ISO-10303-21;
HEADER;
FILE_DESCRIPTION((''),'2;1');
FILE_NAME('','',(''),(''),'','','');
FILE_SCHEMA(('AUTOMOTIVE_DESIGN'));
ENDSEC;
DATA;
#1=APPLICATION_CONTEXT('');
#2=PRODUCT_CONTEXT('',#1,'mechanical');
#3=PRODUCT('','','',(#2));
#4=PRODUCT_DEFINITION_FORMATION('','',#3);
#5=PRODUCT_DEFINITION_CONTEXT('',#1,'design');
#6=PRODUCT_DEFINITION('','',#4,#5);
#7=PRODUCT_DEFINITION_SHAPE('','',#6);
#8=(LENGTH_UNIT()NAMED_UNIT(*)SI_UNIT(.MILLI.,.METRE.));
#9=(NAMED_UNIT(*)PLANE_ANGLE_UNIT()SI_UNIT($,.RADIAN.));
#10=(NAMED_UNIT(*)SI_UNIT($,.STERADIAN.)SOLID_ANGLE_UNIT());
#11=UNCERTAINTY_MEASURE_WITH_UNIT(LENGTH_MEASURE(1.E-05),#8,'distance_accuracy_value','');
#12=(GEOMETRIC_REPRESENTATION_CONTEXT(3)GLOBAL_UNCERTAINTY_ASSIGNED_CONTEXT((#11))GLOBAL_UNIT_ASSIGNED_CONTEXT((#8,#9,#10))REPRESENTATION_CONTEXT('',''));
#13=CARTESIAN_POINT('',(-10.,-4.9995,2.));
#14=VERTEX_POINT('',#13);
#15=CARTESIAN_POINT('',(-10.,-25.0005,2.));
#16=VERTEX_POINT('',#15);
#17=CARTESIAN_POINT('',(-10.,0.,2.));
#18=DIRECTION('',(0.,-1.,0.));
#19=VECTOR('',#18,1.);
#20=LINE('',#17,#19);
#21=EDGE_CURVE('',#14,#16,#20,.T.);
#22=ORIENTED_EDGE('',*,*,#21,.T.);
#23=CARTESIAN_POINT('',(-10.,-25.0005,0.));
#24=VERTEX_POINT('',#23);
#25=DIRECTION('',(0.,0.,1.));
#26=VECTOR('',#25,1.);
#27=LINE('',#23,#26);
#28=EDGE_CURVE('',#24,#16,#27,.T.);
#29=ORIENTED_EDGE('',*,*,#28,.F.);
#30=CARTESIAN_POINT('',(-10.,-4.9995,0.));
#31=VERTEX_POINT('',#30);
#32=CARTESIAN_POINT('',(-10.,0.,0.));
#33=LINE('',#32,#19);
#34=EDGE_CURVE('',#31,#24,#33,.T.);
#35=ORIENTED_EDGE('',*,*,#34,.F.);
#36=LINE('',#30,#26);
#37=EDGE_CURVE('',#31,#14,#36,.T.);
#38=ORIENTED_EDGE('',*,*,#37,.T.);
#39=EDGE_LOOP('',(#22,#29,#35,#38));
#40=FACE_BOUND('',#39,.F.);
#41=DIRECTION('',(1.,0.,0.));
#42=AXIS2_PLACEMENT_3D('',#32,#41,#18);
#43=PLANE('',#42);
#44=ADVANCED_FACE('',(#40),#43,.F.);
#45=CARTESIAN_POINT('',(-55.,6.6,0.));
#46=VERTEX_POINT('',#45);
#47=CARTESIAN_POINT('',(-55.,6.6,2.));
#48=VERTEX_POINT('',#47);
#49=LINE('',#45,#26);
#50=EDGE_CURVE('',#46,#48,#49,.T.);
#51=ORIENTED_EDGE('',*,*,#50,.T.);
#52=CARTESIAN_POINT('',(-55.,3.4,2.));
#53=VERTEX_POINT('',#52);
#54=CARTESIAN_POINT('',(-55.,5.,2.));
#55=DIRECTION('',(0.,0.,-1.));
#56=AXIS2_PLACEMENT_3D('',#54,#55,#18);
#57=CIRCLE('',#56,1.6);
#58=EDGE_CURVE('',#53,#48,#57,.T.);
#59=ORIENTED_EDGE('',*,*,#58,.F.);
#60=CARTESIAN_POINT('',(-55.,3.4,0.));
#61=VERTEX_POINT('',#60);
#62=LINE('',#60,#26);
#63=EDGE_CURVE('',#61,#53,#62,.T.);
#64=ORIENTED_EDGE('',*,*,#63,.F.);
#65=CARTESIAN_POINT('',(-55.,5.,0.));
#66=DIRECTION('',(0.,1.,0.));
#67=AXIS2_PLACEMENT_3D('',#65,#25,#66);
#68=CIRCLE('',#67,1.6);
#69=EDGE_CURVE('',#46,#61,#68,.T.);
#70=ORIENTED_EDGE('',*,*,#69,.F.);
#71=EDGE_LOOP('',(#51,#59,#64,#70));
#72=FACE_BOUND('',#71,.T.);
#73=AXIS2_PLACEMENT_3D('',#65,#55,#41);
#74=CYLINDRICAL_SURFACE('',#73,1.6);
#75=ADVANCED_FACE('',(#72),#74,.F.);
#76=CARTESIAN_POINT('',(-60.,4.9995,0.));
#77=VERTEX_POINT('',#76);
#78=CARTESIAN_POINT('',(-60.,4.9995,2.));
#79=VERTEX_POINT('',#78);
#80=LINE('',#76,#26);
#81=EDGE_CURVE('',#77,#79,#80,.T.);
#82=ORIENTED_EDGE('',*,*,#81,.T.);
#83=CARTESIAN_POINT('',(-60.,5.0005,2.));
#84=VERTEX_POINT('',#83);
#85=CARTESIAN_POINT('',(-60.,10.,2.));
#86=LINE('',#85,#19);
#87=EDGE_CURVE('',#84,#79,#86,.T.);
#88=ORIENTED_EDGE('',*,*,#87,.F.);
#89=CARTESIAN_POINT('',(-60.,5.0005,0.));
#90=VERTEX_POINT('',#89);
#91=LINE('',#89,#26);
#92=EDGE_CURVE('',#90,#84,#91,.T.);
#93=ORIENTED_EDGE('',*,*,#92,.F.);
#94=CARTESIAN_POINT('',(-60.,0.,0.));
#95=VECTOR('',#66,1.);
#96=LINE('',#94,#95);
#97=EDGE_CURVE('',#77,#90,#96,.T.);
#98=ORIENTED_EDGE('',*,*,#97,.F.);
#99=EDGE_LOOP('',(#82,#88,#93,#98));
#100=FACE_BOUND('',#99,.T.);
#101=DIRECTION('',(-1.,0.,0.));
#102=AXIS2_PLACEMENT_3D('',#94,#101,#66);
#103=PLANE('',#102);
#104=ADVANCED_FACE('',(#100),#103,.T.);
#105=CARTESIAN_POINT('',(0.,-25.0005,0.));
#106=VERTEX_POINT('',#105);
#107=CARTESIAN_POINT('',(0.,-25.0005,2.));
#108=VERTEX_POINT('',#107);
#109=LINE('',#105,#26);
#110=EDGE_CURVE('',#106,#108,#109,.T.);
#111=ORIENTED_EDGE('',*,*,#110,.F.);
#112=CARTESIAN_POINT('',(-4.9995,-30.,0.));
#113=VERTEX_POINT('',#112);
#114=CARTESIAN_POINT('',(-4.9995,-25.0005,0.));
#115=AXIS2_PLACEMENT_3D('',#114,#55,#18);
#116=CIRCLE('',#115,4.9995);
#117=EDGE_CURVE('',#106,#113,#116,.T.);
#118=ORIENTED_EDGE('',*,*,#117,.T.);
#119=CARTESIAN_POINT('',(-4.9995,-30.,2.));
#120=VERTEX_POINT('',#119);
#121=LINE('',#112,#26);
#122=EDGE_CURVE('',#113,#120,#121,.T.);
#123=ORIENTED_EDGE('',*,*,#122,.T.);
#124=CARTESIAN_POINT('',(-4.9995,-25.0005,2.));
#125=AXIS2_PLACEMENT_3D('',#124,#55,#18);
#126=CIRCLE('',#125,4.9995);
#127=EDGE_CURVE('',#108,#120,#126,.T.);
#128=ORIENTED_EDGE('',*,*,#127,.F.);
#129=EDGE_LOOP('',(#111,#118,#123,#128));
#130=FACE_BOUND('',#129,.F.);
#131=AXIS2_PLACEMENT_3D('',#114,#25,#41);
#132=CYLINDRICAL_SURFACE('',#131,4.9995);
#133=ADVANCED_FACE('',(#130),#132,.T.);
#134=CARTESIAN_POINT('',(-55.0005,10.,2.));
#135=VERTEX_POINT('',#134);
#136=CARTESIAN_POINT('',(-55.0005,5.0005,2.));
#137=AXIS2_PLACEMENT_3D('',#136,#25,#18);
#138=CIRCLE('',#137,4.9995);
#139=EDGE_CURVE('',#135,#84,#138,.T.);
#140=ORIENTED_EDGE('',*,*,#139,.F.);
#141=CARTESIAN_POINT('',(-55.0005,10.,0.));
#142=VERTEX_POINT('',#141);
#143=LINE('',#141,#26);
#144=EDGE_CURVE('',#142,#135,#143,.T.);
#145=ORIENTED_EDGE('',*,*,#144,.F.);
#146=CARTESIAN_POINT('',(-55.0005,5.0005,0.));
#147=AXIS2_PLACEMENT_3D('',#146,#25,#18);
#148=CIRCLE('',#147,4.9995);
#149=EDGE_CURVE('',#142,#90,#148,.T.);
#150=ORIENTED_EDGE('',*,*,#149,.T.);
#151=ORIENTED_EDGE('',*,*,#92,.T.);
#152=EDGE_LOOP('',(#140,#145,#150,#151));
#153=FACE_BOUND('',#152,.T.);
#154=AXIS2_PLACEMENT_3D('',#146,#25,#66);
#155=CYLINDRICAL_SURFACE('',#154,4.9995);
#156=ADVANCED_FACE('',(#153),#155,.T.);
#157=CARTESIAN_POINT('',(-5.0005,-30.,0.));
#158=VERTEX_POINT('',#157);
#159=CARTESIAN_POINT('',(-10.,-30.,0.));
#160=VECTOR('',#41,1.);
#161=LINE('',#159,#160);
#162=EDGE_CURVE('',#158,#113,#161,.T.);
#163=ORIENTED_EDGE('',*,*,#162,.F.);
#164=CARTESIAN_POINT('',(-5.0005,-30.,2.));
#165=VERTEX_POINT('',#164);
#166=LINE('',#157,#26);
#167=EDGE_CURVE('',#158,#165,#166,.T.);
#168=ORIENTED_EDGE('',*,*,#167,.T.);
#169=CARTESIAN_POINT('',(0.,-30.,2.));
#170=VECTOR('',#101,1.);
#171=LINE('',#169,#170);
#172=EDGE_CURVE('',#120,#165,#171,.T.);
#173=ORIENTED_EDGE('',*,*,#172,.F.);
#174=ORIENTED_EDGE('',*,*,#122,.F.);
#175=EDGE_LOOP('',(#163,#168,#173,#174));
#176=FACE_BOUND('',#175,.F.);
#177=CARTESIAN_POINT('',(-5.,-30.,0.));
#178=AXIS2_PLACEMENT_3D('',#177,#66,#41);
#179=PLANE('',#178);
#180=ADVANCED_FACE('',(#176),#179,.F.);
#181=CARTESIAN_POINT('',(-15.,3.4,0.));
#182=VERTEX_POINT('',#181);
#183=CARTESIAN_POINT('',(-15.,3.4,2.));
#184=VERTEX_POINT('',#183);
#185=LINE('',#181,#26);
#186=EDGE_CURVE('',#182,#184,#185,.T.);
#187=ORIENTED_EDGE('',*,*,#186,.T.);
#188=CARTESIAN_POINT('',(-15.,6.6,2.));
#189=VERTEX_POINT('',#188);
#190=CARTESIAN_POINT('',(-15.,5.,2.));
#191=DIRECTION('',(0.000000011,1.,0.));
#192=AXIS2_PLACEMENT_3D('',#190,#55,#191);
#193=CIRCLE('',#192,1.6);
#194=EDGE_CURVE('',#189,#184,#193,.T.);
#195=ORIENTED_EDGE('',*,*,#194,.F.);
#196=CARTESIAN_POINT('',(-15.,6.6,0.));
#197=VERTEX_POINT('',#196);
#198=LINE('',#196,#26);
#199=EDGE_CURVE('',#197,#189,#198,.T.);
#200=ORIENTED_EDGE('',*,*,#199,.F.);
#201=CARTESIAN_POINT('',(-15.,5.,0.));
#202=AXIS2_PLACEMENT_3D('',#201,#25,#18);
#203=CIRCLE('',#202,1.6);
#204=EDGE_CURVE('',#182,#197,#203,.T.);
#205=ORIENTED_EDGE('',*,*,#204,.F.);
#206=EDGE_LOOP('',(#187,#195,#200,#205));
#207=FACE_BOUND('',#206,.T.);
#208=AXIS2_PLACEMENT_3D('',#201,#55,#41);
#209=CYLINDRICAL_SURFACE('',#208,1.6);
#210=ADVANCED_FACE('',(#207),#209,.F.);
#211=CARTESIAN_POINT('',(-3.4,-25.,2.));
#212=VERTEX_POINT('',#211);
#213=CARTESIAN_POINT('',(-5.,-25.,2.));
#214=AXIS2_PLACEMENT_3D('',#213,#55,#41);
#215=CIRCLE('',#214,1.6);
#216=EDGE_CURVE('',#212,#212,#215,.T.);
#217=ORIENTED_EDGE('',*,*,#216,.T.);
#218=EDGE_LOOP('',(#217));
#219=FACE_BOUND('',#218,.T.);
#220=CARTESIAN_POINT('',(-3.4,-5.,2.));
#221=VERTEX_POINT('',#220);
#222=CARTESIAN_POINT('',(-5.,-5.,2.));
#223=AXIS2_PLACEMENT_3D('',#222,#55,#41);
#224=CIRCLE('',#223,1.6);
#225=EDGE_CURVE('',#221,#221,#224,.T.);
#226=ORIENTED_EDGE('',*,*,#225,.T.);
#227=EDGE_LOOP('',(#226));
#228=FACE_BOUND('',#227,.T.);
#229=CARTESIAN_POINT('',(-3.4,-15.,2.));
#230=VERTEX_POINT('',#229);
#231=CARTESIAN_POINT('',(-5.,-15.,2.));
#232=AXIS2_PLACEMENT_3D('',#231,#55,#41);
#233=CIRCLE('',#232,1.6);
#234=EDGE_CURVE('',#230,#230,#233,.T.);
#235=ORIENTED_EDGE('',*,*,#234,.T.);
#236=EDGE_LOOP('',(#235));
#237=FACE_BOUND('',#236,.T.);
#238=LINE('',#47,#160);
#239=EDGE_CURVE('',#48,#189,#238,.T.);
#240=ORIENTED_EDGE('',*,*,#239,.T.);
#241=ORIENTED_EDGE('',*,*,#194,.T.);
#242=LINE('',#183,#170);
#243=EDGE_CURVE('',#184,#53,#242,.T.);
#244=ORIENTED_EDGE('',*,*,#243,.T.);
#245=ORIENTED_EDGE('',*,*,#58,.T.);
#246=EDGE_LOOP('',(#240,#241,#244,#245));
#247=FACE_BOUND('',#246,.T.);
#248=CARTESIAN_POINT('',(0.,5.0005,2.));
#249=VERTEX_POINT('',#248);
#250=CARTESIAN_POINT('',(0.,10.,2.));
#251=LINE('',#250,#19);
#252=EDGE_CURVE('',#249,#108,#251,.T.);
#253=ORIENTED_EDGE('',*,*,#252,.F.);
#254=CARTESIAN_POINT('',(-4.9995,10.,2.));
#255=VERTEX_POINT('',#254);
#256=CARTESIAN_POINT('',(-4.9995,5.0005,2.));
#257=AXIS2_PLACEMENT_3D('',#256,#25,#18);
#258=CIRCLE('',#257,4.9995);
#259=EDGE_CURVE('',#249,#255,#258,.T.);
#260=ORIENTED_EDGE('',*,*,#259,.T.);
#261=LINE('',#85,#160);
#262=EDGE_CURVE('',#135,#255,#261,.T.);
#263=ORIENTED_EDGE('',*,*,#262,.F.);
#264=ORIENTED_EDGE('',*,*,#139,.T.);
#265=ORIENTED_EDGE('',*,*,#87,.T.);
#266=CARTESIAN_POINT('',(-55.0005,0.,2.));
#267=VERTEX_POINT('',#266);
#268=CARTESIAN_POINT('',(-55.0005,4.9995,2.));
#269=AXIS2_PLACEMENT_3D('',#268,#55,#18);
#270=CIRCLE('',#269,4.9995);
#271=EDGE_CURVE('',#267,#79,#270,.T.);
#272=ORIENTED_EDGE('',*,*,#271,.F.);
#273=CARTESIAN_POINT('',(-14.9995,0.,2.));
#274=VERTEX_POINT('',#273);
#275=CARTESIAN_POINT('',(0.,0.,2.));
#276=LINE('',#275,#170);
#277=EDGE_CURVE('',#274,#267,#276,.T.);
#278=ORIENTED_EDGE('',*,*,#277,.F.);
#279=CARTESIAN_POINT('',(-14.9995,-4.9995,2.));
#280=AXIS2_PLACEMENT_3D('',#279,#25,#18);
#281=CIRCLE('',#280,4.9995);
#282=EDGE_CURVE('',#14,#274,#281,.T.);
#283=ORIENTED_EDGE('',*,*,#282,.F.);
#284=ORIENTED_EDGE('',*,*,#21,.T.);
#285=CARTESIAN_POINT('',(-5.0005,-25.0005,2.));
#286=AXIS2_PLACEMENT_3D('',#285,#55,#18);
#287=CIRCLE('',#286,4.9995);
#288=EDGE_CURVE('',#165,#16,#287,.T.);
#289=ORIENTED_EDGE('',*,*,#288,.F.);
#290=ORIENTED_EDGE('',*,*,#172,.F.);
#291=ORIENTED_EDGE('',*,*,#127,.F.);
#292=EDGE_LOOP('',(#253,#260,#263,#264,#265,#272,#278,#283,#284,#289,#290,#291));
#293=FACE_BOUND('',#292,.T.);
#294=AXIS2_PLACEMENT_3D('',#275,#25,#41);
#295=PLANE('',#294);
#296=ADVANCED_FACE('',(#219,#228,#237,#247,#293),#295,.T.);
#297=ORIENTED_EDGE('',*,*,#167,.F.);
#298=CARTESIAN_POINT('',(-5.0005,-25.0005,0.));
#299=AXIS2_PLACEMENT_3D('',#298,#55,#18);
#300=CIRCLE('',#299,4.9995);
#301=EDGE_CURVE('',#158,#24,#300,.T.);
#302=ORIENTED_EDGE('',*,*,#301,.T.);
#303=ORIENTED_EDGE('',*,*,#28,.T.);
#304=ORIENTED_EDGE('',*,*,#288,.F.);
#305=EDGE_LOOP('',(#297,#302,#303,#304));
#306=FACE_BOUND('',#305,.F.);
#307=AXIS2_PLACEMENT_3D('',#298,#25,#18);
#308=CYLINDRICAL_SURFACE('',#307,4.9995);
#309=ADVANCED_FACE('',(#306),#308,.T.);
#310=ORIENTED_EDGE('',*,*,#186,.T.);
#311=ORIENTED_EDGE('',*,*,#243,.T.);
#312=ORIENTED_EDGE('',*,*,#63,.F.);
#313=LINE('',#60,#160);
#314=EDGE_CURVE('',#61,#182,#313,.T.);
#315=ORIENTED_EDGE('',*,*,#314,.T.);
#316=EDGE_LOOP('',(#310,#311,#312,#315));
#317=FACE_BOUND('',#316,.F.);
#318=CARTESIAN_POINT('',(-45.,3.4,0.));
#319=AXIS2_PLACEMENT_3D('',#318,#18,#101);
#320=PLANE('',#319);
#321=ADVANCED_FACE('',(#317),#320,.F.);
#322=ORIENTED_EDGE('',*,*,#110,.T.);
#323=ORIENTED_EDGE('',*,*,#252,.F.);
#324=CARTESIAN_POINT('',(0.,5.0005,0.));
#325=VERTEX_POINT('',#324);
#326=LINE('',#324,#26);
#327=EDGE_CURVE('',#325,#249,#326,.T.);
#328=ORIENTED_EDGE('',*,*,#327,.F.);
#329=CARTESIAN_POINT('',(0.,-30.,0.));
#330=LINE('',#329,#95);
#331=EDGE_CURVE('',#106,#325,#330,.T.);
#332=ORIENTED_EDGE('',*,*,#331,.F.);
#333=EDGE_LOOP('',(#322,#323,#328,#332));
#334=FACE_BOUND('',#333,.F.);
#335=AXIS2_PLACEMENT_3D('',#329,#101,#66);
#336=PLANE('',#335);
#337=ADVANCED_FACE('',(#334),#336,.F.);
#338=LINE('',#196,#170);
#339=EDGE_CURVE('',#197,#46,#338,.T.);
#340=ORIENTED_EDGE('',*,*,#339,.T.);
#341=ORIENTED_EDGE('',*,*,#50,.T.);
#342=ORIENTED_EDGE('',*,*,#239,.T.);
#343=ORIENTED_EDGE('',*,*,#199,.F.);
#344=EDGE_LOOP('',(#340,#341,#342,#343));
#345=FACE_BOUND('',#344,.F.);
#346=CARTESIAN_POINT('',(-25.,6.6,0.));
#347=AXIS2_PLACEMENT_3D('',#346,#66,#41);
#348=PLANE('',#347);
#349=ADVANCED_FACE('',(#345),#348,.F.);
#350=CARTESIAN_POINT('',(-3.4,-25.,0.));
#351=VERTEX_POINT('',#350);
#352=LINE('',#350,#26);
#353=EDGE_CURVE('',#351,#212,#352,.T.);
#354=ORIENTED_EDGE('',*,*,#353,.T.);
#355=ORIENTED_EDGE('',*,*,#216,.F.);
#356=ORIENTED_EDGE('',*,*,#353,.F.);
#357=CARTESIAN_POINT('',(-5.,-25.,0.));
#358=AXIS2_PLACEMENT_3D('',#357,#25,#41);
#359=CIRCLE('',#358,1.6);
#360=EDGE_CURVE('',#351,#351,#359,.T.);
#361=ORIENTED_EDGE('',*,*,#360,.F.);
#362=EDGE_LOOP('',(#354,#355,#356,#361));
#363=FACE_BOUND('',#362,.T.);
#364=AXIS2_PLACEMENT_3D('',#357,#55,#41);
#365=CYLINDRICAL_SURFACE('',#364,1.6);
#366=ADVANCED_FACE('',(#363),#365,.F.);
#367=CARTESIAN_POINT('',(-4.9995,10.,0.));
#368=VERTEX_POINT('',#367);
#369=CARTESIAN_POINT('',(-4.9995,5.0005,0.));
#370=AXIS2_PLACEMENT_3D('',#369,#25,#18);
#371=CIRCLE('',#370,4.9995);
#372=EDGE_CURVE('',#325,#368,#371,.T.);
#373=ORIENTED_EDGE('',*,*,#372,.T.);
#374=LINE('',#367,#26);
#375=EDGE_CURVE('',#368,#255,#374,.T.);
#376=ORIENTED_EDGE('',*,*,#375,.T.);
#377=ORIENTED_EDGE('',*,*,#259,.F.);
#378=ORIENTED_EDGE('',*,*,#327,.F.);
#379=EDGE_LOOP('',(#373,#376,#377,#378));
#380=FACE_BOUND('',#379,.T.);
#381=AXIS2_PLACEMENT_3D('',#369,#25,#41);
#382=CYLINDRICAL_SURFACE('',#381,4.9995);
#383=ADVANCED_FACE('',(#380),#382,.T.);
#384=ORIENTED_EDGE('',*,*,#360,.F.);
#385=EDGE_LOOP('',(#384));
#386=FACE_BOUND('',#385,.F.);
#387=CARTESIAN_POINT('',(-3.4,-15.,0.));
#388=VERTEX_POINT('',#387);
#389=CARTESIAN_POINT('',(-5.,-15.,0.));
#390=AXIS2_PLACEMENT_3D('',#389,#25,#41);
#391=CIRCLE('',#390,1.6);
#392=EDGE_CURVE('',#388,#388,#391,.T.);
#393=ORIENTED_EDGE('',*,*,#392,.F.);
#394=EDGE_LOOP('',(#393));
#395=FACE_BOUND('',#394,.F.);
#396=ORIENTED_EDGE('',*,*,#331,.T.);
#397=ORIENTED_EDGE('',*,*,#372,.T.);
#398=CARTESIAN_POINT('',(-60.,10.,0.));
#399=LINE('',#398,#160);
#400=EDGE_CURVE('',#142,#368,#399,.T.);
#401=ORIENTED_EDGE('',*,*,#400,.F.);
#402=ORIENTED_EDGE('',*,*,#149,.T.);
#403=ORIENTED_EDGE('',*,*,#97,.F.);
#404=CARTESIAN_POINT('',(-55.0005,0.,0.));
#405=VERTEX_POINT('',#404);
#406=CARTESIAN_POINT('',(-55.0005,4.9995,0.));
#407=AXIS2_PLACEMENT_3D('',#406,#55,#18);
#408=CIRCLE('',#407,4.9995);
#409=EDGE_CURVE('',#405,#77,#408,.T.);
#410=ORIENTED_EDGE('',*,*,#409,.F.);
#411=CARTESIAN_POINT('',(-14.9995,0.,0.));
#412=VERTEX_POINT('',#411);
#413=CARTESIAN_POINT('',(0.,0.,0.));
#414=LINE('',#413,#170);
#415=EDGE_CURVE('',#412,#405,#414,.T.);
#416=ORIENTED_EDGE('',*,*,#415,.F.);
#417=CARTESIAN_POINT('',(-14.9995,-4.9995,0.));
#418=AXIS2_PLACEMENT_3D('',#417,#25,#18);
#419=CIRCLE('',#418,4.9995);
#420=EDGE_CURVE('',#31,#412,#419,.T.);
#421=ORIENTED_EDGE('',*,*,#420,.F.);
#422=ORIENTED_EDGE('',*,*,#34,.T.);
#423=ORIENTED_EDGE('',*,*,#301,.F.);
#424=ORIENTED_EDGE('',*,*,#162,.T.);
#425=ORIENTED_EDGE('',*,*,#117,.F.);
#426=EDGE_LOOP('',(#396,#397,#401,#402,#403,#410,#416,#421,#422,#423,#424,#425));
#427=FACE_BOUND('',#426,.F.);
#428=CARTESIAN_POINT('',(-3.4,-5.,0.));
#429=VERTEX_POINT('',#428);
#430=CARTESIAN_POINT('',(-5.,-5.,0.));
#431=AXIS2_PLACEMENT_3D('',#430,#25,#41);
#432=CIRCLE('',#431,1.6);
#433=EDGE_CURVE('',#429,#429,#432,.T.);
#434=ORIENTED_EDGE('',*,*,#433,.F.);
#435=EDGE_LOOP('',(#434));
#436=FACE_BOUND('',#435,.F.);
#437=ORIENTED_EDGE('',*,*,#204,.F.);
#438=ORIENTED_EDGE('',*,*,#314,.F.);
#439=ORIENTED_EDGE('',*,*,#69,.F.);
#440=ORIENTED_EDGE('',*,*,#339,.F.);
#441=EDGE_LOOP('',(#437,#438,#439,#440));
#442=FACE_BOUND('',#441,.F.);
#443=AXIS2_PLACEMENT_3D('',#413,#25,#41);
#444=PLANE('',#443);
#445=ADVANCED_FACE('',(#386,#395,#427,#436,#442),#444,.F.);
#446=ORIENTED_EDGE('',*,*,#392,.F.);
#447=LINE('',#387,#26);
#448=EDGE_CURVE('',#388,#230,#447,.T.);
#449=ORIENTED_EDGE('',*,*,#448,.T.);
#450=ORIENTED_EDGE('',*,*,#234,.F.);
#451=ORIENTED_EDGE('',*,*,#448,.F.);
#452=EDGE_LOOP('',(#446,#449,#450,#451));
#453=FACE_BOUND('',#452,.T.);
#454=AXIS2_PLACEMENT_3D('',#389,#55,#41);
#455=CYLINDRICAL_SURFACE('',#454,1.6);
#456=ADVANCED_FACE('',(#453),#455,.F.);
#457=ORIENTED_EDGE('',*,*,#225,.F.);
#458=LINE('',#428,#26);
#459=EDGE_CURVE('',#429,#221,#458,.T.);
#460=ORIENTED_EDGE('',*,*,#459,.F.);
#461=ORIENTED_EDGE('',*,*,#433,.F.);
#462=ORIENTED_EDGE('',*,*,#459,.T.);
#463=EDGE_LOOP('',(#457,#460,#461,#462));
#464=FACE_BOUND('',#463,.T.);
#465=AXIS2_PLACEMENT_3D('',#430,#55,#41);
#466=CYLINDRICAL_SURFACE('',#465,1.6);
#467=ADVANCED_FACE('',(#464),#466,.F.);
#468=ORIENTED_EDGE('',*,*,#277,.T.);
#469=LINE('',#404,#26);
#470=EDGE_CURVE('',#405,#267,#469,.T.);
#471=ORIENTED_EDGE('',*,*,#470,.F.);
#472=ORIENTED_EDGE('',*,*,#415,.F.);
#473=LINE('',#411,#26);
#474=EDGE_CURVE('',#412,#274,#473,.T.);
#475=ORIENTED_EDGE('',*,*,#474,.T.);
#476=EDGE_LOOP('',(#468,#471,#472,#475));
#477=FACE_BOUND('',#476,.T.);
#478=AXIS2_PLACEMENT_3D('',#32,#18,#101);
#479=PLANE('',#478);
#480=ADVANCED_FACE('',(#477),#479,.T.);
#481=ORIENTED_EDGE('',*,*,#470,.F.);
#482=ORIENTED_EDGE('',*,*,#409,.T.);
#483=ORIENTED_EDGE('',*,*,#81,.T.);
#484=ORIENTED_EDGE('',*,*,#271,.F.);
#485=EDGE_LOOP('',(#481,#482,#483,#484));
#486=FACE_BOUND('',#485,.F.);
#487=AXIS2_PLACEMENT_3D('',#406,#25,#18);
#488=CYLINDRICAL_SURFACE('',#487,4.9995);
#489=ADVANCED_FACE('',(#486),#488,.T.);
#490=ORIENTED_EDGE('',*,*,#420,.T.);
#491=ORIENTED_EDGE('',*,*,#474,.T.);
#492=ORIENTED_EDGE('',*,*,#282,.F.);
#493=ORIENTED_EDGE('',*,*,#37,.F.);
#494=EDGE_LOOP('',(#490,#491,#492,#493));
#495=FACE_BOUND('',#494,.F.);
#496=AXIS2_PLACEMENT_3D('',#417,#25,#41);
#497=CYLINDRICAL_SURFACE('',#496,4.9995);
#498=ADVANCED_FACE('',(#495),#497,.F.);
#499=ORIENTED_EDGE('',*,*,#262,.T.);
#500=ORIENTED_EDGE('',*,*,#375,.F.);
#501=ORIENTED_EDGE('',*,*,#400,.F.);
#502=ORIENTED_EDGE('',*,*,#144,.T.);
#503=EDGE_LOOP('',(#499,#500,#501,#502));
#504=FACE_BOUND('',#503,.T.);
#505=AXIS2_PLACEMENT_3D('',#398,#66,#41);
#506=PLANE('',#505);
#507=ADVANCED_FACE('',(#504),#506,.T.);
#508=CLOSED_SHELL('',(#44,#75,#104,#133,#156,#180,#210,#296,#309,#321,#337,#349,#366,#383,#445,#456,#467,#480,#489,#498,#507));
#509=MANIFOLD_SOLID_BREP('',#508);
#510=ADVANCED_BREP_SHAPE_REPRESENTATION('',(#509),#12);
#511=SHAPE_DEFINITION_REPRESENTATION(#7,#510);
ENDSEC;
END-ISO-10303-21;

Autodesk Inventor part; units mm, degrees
ref_plane "YZ Plane" through (0, 0, 0) normal (1, 0, 0) x (0, 1, 0)
ref_plane "XZ Plane" through (0, 0, 0) normal (0, 1, 0) x (-1, 0, 0)
ref_plane "XY Plane" through (0, 0, 0) normal (0, 0, 1) x (1, 0, 0)
sketch "スケッチ1" plane through (0, 0, 0) normal (0, 0, 1) x (1, 0, 0)
  line L0 (0, 0) -> (-10, 0)
  line L1 (-10, 0) -> (-10, -30)
  line L2 (-10, -30) -> (0, -30)
  line L3 (0, -30) -> (0, 0)
  line L4 (0, 0) -> (-60, 0)
  line L5 (-60, 0) -> (-60, 10)
  line L6 (-60, 10) -> (0, 10)
  line L7 (0, 10) -> (0, 0)
  line L8 (-5, -30) -> (-5, 0)
  line L9 (0, 5) -> (-60, 5)
  circle A0 centre (-5, 5) radius 1.6
  circle A1 centre (-5, -5) radius 1.6
  circle A2 centre (-15, 5) radius 1.6
  circle A3 centre (-25, 5) radius 1.6
  circle A4 centre (-5, -15) radius 1.6
  circle A5 centre (-35, 5) radius 1.6
  circle A6 centre (-45, 5) radius 1.6
  circle A7 centre (-55, 5) radius 1.6
  line L10 (-5, 3.4) -> (-55, 3.4)
  line L11 (-55, 6.6) -> (-5, 6.6)
  circle A8 centre (-5, -25) radius 1.6
  point P0 (-45, 3.4)
  point P1 (-45, 6.6)
  point P2 (-15, 3.4)
  point P3 (-15, 6.6)
  dimension "d0" = 10
  dimension "d1" = 30
  dimension "d2" = 60
  dimension "d3" = 10
  dimension "d4" = 3.2
  dimension "d5" = 3.2
  dimension "d6" = 5
  dimension "d7" = 5
  dimension "d8" = 10
  dimension "d11" = 10
  dimension "d18" = 10
extrude "押し出し1" add sketch "スケッチ1" along normal blind 2 contours L3 L2 L8 A8 A4 A1 L0 | L0 L4 L5 L9 A7 L10 A0 L7 | L8 A1 A4 A8 L2 L1 L0 | L9 A0 L11 A7 L5 L6 L7 | A0 L9 | L9 A0 | A0 L10 A2 L9 | L9 A2 L11 A0
fillet "フィレット1" radius 5 6 edges at (0, 10, 1) (-60, 10, 1) (-60, 0, 1) (0, -30, 1) (-10, -30, 1) (-10, 0, 1)
properties part number "kakutome_nc_slit"
